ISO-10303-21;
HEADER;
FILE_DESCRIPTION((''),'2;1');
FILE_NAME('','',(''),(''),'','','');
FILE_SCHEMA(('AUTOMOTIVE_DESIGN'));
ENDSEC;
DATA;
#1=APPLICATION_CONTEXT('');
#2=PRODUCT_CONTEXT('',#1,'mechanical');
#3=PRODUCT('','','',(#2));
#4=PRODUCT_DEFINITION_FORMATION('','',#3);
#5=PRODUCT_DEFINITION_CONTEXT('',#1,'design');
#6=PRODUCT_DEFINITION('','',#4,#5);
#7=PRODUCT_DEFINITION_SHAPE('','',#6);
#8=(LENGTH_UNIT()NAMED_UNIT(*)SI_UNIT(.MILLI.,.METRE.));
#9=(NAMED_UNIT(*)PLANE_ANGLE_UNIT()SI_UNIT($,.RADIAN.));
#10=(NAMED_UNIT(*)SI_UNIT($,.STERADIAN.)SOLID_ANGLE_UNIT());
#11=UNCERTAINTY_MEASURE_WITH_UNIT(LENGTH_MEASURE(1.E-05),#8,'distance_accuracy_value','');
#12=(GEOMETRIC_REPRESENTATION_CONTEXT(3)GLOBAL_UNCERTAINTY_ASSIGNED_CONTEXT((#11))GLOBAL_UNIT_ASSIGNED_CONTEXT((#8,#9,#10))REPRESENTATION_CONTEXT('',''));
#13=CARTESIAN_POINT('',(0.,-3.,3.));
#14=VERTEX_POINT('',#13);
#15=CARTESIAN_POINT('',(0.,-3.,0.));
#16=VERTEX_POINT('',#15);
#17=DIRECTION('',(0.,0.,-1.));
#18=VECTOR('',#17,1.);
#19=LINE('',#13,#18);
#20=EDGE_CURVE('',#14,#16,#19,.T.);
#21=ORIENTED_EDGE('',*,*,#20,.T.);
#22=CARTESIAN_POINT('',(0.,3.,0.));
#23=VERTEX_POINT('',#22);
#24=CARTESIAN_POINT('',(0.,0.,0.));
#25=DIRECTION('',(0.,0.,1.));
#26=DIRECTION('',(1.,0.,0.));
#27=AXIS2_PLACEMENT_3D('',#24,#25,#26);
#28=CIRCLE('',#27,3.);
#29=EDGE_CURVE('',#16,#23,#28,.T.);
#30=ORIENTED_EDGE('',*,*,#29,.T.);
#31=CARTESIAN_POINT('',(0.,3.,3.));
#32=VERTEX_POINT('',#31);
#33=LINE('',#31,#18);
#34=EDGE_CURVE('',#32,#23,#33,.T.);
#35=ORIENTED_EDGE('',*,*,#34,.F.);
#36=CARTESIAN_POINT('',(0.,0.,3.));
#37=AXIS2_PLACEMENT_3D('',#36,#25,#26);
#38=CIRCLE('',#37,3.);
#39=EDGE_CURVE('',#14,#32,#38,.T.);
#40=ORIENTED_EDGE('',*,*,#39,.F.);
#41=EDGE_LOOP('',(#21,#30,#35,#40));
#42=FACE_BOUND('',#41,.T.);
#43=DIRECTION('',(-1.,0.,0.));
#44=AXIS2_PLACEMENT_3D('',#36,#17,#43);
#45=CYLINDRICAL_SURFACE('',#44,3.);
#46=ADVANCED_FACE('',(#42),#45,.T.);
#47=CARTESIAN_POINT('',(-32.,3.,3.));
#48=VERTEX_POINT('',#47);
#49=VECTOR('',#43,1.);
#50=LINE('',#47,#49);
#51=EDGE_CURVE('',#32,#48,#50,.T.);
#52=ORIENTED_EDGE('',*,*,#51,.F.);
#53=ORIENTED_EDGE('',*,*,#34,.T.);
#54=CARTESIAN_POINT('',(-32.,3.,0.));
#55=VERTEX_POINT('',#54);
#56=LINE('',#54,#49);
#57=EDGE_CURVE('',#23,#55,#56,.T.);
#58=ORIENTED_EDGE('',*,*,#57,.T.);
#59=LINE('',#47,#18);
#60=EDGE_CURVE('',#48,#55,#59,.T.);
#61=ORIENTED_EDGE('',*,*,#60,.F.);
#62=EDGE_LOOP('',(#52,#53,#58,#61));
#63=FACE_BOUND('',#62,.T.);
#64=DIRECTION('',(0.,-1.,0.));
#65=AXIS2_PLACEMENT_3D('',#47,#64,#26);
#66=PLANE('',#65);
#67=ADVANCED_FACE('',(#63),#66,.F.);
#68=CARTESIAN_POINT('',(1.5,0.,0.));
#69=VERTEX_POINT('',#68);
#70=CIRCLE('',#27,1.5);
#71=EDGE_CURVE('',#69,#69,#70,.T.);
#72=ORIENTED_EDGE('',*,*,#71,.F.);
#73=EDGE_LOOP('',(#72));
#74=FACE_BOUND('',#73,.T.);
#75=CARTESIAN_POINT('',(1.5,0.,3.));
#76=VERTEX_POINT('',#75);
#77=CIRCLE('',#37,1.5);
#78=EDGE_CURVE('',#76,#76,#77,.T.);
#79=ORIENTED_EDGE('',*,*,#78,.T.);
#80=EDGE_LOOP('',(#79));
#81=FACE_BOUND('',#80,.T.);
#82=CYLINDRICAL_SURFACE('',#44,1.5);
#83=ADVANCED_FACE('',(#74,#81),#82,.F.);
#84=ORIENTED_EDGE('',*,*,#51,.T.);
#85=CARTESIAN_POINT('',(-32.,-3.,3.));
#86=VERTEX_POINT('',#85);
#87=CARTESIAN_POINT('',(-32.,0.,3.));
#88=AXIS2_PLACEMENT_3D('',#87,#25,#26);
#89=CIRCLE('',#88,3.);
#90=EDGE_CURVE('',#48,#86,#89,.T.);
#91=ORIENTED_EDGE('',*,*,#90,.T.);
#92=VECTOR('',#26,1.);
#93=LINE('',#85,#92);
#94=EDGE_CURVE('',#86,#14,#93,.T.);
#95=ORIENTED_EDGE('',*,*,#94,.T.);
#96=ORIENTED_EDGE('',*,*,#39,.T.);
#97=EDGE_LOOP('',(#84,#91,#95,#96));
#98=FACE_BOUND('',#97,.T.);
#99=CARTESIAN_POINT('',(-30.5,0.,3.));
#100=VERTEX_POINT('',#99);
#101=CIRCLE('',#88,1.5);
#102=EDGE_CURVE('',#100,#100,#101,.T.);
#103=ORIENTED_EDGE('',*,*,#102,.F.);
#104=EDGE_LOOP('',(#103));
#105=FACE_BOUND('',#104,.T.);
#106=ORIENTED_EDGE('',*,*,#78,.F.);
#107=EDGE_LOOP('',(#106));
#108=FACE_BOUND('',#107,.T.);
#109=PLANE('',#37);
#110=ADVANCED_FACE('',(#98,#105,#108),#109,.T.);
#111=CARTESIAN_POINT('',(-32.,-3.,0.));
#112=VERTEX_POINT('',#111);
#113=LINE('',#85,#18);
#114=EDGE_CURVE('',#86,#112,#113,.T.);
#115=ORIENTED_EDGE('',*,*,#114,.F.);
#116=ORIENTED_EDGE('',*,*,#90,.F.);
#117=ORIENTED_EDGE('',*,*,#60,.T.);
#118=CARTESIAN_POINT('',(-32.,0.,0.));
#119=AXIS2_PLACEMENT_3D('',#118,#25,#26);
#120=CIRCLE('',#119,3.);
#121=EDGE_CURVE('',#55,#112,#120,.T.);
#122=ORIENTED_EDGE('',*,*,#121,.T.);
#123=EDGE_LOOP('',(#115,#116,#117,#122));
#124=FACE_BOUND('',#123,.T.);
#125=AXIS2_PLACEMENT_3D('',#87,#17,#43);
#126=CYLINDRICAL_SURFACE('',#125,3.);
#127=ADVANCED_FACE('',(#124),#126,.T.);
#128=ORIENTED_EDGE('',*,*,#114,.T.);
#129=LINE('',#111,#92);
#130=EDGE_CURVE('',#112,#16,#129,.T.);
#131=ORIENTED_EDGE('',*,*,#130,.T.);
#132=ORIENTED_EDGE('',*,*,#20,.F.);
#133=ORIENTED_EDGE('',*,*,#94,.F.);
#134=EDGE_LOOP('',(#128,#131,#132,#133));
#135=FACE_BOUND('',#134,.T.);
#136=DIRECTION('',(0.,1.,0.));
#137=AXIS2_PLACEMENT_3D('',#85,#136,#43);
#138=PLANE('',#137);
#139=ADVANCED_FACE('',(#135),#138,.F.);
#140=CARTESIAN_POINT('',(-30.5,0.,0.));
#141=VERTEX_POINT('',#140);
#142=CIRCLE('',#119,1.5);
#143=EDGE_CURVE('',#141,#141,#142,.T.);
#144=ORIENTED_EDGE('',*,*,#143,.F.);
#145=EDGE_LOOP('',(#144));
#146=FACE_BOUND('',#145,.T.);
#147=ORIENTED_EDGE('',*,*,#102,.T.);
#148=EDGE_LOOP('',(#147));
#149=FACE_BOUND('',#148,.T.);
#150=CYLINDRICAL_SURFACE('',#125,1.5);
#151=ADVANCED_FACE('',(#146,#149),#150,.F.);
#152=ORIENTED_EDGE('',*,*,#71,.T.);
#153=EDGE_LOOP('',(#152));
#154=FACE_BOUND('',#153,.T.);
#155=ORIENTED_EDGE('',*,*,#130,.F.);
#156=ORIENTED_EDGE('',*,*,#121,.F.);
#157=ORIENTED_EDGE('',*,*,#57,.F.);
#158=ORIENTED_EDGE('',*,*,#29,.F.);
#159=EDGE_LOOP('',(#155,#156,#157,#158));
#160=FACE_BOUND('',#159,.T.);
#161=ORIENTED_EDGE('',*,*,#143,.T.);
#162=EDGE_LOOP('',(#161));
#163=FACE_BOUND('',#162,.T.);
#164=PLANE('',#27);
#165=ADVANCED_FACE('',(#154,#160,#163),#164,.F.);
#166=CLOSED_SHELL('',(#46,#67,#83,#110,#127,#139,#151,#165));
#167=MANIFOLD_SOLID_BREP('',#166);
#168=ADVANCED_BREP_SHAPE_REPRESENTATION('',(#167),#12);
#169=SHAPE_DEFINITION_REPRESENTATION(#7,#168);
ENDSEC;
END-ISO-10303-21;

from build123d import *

# Parameters (mm, degrees)
SKETCH2_R           = 1.5
BOSS_EXTRUDE1_DEPTH = 3


with BuildPart() as part:
    # Sketch2 → Boss-Extrude1 (new body)
    with BuildSketch(Plane.XY):
        with BuildLine():
            Line((-32, 3), (0, 3))
            ThreePointArc((0, 3), (3, 0), (0, -3))
            Line((0, -3), (-32, -3))
            ThreePointArc((-32, -3), (-35, 0), (-32, 3))
        make_face()
        with Locations((-32, 0)):
            Circle(SKETCH2_R, mode=Mode.SUBTRACT)
        Circle(SKETCH2_R, mode=Mode.SUBTRACT)
    extrude(amount=BOSS_EXTRUDE1_DEPTH)


solid = part.part
